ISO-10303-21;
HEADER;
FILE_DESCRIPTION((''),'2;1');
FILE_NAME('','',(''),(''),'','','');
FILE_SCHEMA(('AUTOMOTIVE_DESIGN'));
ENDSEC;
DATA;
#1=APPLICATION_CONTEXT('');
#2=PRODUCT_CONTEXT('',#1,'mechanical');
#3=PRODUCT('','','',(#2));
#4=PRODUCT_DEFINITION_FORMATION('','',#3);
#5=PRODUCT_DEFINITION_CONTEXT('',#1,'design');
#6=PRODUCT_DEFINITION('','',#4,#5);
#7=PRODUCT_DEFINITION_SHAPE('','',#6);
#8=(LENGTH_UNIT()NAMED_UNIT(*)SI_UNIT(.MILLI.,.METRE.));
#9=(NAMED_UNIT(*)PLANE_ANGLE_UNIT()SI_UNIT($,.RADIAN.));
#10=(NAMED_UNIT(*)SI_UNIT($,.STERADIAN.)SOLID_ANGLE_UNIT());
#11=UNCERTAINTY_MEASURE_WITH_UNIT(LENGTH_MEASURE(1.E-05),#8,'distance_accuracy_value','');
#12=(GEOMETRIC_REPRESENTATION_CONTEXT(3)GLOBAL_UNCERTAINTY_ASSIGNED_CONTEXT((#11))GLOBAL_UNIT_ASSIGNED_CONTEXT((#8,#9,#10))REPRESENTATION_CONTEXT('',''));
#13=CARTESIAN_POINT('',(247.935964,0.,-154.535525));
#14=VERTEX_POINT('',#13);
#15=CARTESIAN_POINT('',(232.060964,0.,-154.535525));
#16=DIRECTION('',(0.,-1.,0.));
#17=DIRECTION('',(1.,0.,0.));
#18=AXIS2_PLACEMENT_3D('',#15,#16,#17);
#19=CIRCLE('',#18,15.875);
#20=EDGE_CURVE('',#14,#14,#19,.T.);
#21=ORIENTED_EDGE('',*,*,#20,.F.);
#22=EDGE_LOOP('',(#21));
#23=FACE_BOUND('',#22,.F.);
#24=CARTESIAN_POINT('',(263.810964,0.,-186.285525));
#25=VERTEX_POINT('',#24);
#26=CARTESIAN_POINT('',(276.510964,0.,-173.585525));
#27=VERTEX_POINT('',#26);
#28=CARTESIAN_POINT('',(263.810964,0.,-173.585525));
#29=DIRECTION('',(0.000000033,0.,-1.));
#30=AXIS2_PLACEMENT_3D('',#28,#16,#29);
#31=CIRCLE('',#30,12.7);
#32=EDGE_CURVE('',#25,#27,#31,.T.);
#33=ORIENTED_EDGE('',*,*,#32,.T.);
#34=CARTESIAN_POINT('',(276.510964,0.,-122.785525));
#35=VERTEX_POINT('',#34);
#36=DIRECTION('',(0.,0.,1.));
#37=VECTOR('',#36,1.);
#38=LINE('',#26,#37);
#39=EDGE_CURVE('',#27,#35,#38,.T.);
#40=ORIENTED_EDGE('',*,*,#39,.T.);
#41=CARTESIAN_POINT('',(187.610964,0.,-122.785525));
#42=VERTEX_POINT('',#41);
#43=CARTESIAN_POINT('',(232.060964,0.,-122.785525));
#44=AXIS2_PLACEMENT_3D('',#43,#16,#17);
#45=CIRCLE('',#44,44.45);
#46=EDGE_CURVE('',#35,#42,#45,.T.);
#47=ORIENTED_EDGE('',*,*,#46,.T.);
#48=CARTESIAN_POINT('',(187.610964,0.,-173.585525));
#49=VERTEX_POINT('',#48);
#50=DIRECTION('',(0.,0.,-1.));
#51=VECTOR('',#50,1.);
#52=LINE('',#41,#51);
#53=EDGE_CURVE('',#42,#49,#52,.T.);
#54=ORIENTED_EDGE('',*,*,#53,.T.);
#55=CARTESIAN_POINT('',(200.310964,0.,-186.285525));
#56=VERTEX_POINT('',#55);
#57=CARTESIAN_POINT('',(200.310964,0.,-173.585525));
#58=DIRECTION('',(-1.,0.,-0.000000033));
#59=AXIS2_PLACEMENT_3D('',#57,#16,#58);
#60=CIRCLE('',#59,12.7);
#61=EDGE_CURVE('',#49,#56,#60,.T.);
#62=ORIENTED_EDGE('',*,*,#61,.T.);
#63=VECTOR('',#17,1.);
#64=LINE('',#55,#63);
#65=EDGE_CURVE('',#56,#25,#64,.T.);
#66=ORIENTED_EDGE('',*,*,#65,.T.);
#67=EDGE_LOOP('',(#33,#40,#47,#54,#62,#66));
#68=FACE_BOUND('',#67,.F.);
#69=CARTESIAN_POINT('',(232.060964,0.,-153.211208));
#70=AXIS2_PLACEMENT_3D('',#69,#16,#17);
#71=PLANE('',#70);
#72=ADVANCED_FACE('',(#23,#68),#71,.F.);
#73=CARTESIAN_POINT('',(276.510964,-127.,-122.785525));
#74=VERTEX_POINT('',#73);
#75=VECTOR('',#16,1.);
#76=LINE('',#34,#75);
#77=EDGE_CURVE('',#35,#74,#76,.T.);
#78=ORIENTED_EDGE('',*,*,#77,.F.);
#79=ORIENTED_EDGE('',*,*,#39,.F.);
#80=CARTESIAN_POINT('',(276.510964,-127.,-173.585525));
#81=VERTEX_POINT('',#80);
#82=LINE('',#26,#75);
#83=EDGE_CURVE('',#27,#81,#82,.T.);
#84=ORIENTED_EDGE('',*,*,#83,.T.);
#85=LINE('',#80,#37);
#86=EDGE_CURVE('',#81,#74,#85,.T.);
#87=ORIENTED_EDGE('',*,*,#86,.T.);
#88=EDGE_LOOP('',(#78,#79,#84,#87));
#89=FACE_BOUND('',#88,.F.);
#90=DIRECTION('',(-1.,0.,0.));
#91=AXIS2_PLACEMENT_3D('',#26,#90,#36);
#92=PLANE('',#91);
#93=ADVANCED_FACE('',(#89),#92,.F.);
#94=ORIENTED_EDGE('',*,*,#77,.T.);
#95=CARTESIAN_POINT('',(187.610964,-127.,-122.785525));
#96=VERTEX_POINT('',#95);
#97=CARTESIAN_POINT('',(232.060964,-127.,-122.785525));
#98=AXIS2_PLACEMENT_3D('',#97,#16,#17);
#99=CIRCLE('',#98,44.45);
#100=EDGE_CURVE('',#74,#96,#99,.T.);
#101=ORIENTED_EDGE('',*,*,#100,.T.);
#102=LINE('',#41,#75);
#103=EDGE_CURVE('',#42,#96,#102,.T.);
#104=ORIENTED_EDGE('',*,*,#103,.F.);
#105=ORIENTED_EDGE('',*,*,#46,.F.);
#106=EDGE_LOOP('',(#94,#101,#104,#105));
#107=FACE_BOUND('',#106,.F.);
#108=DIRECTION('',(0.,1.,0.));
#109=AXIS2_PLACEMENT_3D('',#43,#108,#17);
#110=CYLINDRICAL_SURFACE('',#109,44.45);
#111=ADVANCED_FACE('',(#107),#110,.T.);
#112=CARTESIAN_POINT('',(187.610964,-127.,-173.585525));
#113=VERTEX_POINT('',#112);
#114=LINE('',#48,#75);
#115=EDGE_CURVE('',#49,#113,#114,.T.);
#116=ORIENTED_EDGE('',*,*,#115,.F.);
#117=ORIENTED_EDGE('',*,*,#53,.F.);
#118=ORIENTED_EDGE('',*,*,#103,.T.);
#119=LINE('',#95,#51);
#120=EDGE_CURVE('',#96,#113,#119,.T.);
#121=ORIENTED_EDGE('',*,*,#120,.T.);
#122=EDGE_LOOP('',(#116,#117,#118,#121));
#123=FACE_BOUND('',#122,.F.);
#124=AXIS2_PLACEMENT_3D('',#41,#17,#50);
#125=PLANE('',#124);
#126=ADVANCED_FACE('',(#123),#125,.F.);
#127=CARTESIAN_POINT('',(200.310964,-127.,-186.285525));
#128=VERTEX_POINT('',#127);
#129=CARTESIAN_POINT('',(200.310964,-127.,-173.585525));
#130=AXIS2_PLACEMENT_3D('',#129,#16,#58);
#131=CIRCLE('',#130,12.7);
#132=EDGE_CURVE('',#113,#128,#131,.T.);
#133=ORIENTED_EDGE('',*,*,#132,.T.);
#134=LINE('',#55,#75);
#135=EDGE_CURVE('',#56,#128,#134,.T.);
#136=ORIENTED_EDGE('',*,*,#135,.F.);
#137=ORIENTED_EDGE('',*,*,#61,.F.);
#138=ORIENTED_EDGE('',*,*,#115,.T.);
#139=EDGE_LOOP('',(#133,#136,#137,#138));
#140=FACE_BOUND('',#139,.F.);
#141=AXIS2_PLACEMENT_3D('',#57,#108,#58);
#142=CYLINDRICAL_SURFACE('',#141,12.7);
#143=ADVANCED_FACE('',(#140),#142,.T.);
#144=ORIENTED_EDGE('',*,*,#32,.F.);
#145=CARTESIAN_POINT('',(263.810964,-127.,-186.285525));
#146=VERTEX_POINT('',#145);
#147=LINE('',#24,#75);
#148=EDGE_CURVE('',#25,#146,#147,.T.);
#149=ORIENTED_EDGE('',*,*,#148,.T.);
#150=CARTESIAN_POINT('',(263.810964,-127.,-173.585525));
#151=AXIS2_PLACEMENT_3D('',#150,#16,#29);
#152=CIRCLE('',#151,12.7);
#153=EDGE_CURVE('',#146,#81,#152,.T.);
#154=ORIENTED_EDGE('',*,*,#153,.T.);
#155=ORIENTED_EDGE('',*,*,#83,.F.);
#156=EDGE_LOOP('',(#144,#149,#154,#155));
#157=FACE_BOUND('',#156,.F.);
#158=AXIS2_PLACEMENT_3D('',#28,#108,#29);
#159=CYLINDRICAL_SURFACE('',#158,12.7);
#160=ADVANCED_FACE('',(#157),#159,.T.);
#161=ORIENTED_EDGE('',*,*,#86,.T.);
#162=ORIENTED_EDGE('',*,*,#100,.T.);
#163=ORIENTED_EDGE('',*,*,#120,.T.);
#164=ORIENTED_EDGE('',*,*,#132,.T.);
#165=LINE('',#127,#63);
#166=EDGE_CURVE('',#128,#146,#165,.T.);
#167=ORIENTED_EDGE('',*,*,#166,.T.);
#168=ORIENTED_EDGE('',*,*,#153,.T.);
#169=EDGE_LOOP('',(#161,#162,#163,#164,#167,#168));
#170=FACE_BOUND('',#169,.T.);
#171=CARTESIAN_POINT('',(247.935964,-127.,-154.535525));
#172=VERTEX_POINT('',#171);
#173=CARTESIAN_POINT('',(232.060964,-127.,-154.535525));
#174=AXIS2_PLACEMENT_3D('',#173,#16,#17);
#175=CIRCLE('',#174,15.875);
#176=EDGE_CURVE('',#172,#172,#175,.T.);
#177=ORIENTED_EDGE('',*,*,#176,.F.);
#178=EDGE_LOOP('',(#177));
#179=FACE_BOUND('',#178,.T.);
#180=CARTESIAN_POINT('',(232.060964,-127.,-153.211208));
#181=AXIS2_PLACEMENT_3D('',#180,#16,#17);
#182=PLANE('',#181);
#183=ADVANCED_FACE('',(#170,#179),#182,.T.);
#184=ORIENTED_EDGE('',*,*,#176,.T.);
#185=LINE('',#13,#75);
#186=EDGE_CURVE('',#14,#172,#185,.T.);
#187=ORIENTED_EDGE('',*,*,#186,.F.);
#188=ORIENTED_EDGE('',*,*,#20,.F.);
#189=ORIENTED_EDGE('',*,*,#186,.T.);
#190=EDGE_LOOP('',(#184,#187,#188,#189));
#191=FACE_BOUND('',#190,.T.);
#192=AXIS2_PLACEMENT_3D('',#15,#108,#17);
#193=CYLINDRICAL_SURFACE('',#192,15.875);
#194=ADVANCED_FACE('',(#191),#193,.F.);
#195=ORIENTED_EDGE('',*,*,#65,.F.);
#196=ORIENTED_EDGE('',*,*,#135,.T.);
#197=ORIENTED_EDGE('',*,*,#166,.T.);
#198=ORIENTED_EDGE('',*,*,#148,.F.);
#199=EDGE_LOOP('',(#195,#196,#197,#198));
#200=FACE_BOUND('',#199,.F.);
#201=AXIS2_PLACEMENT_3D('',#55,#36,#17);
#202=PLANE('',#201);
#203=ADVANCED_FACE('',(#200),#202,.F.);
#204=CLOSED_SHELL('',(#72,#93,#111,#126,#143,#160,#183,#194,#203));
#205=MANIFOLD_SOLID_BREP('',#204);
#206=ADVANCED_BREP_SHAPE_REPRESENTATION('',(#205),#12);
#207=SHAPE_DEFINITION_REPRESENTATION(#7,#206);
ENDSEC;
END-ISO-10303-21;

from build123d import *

# Parameters (mm, degrees)
F0_R     = 15.875
F1_DEPTH = 127


with BuildPart() as f1:
    # F0 (on Front) → F1 (new body)
    with BuildSketch(Plane.XZ):
        with BuildLine():
            Line((276.510964, -122.785525), (187.610964, -122.785525))
            Line((187.610964, -122.785525), (187.610964, -173.585525))
            ThreePointArc((187.610964, -173.585525), (191.330708, -182.565781), (200.310964, -186.285525))
            Line((200.310964, -186.285525), (263.810964, -186.285525))
            ThreePointArc((263.810964, -186.285525), (272.79122, -182.565781), (276.510964, -173.585525))
            Line((276.510964, -173.585525), (276.510964, -122.785525))
        make_face()
        with Locations((232.060964, -154.535525)):
            Circle(F0_R, mode=Mode.SUBTRACT)
        with BuildLine():
            ThreePointArc((276.510964, -122.785525), (232.060964, -78.335525), (187.610964, -122.785525))
            Line((187.610964, -122.785525), (276.510964, -122.785525))
        make_face()
    extrude(amount=F1_DEPTH)


solid = f1.part
